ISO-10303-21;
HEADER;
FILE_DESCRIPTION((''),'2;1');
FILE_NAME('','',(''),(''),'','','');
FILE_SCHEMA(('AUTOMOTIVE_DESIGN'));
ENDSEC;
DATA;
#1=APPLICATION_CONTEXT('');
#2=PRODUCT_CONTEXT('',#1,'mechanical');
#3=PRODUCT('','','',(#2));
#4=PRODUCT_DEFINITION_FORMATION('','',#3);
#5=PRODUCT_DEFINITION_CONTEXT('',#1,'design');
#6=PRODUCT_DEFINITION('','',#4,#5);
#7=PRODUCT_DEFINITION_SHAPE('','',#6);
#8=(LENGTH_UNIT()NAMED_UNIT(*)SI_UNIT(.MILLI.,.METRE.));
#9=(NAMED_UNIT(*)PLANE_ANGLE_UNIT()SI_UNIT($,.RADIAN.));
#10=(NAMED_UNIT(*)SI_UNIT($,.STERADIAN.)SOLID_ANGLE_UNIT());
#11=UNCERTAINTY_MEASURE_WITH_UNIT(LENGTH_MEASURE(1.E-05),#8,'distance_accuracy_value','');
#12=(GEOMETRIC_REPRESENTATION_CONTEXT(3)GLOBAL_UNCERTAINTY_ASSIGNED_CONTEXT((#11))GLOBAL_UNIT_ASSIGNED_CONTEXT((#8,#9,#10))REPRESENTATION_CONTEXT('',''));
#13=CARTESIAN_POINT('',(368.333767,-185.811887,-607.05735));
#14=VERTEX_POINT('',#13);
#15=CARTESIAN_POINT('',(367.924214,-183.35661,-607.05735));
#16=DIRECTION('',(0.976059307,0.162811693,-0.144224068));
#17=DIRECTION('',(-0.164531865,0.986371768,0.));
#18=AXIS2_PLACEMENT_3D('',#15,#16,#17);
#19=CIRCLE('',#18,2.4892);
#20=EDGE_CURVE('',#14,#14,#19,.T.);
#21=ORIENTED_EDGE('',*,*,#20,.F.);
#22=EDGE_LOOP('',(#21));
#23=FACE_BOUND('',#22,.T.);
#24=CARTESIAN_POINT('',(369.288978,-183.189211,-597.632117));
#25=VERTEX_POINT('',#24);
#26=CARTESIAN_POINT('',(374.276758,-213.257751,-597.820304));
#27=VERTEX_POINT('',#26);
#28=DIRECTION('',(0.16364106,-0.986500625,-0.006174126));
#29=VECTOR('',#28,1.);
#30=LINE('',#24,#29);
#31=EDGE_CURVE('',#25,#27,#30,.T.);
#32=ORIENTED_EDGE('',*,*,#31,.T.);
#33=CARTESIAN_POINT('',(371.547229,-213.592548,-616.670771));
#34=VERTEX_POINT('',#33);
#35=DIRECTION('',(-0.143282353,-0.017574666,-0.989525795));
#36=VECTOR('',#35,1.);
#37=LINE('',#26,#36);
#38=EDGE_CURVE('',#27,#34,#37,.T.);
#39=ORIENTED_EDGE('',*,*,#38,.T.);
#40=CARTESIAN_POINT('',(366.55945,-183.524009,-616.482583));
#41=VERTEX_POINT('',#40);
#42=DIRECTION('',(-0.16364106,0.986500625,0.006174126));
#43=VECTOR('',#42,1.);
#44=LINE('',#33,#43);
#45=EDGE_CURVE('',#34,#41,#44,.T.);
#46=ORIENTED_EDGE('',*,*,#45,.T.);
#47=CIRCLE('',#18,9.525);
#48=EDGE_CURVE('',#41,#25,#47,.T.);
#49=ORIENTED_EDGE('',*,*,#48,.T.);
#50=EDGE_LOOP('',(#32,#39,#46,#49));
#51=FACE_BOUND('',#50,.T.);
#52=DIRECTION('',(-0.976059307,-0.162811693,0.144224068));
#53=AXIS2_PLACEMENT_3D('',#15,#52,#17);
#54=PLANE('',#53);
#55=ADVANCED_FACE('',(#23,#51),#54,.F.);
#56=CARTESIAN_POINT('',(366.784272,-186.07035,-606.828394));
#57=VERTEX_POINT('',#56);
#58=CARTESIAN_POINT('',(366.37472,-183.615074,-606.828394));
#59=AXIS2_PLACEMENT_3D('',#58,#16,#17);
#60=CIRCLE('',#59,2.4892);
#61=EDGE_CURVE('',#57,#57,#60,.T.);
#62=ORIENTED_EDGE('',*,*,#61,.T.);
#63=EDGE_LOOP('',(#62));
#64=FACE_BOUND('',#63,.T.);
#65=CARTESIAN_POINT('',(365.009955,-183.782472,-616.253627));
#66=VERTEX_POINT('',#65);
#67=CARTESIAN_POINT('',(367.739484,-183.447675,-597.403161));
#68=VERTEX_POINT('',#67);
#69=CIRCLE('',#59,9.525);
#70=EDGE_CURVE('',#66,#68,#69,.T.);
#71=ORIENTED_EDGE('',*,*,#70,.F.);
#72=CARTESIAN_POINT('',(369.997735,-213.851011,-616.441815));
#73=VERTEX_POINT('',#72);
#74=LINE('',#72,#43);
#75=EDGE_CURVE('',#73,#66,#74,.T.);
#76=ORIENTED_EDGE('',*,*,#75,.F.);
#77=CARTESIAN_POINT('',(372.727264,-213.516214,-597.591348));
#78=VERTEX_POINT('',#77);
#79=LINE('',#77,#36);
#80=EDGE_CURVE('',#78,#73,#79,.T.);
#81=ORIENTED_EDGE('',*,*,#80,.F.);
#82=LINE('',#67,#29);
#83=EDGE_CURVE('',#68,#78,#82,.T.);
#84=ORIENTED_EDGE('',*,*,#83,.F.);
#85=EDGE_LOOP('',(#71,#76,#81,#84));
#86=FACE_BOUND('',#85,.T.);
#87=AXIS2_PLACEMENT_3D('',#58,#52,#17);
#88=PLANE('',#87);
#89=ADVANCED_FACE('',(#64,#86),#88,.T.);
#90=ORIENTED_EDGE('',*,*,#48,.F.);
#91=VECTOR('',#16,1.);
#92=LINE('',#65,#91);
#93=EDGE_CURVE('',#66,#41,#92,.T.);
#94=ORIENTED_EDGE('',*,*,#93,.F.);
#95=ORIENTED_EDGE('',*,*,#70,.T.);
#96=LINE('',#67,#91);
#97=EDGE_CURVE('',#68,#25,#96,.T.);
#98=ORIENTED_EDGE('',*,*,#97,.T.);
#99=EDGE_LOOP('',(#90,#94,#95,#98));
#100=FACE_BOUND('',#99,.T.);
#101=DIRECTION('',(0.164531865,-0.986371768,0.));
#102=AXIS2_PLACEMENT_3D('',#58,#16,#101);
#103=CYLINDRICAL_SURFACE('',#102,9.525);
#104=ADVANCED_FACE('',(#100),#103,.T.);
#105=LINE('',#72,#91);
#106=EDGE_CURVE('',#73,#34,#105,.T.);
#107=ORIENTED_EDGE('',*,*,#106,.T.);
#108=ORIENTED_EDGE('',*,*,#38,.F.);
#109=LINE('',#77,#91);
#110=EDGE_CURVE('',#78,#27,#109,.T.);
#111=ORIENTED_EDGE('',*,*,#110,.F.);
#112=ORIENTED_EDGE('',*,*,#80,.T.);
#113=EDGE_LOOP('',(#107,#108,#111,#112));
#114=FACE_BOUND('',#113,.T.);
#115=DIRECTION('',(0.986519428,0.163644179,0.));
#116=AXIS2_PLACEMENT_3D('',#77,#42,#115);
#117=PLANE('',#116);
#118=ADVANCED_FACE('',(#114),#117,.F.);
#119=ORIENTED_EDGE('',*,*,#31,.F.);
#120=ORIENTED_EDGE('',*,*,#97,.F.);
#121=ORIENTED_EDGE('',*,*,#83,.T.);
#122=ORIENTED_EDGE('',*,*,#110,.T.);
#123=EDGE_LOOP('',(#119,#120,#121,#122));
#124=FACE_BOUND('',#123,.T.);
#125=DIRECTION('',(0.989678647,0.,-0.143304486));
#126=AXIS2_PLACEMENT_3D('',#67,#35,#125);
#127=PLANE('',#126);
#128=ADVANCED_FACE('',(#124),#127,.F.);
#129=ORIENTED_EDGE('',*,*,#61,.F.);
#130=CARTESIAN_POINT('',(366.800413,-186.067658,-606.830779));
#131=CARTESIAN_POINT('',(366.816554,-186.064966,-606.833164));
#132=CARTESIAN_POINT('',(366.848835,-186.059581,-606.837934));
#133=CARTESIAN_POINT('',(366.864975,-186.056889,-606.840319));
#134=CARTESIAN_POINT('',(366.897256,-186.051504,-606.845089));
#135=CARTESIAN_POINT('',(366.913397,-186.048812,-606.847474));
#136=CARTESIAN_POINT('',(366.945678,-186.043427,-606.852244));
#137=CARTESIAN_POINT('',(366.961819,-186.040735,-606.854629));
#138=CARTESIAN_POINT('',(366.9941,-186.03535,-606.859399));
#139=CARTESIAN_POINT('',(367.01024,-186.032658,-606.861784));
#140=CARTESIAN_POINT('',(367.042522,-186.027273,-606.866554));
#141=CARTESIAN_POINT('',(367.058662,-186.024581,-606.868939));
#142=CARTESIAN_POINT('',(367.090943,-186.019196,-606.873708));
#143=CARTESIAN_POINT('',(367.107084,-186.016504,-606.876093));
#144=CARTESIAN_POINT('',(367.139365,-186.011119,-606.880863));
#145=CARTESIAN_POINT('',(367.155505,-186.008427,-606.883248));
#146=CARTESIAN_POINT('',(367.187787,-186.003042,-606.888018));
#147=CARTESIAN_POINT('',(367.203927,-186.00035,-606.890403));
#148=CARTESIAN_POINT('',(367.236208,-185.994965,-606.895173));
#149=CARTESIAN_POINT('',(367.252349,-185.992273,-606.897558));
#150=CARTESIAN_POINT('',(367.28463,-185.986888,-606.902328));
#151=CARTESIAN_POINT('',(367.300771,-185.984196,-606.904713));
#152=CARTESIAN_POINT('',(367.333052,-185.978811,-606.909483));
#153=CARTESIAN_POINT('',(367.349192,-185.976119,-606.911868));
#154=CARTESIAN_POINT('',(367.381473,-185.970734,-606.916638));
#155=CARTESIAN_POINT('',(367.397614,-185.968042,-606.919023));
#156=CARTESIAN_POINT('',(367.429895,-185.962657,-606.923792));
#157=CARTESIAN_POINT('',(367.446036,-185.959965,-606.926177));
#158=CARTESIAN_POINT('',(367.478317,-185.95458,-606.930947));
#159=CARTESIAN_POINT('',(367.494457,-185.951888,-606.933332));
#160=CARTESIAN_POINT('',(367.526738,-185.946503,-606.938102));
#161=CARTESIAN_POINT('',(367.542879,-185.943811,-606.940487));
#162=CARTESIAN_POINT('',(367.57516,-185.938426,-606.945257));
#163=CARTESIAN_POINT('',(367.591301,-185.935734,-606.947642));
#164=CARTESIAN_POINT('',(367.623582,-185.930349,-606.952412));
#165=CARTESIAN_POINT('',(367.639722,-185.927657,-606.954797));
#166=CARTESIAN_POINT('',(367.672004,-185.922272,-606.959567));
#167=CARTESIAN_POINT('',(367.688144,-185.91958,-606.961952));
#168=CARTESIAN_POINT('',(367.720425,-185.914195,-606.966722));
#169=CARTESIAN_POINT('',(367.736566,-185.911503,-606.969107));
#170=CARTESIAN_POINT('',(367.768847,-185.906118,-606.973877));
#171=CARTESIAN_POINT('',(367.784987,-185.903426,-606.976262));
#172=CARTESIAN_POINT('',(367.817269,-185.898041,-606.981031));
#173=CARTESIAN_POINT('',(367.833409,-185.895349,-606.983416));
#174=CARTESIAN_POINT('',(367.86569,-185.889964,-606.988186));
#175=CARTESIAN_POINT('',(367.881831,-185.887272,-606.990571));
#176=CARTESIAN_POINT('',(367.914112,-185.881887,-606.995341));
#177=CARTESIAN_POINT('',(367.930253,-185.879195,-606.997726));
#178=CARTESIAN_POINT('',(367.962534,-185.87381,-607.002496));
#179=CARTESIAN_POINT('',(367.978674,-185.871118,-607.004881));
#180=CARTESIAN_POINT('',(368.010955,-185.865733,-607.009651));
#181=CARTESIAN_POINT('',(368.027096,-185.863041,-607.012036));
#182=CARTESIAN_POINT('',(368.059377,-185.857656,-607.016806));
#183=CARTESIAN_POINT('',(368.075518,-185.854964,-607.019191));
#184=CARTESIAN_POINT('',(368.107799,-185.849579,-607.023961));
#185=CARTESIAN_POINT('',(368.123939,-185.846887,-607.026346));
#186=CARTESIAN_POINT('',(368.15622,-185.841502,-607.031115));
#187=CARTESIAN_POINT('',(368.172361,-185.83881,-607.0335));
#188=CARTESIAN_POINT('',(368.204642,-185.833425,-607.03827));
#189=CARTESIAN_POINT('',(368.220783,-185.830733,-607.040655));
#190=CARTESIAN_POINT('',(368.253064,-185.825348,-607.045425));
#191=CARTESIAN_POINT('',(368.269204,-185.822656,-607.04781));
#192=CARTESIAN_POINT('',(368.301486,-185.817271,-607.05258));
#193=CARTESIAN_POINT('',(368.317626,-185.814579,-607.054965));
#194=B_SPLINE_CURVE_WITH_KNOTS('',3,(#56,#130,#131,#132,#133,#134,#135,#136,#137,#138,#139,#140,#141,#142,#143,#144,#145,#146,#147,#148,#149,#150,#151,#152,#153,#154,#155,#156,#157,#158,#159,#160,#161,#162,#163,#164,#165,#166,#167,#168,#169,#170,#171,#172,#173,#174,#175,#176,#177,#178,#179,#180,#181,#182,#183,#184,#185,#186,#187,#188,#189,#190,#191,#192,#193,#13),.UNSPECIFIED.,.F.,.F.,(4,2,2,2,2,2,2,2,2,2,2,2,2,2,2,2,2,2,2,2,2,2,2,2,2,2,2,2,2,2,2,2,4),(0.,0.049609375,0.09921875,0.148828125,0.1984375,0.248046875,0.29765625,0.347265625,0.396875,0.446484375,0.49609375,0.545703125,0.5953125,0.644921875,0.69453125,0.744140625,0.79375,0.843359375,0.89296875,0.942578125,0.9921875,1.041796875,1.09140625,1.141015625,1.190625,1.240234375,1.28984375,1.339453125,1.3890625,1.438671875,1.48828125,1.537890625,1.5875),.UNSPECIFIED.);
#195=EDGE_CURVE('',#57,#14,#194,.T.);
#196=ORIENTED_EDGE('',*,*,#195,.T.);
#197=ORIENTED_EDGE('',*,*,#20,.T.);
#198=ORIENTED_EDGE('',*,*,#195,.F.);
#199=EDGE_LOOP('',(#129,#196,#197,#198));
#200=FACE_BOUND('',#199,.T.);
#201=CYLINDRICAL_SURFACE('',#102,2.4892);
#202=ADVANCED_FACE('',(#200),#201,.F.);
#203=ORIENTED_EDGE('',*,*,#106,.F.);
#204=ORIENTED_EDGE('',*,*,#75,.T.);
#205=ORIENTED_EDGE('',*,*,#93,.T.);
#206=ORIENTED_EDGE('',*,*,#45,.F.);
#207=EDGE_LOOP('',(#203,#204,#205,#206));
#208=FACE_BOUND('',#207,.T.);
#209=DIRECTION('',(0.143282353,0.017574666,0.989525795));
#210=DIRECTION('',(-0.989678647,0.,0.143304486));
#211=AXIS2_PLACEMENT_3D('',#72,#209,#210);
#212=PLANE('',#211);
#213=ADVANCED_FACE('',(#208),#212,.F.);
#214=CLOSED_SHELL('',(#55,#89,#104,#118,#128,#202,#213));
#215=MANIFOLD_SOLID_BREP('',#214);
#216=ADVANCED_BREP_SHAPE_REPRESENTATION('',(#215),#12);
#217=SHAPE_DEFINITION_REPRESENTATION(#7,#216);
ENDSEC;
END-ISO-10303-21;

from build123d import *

# Parameters (mm, degrees)
SKETCH2_R           = 2.4892
BOSS_EXTRUDE1_DEPTH = 1.5875


with BuildPart() as part:
    # Sketch2 → Boss-Extrude1 (new body)
    with BuildSketch(Plane(origin=(-406.836680709, 67.862442728, -60.114831645), x_dir=(-0.15204147849631244, -0.03655570855361372, 0.9876978632095945), z_dir=(0.9760593070661704, -0.16281169315785926, 0.1442240675496927))):
        with BuildLine():
            Line((-544.785785419, 305.655391385), (-546.457439277, 275.221266239))
            ThreePointArc((-546.457439277, 275.221266239), (-537.469166999, 265.1882103), (-527.436111061, 274.176482578))
            Line((-527.436111061, 274.176482578), (-525.764457203, 304.610607723))
            Line((-525.764457203, 304.610607723), (-544.785785419, 305.655391385))
        make_face()
        with Locations(Location((-536.946775169, 274.698874408, 0), (0, 0, 86.498585174))):
            Circle(SKETCH2_R, mode=Mode.SUBTRACT)
    extrude(amount=BOSS_EXTRUDE1_DEPTH)


with BuildPart() as body_2:
    # Mirror2: mirrored copy
    add(part.part.mirror(Plane(origin=(0, 0, 0), x_dir=(0, 0, 1), z_dir=(1, 0, 0))))


solid = body_2.part
